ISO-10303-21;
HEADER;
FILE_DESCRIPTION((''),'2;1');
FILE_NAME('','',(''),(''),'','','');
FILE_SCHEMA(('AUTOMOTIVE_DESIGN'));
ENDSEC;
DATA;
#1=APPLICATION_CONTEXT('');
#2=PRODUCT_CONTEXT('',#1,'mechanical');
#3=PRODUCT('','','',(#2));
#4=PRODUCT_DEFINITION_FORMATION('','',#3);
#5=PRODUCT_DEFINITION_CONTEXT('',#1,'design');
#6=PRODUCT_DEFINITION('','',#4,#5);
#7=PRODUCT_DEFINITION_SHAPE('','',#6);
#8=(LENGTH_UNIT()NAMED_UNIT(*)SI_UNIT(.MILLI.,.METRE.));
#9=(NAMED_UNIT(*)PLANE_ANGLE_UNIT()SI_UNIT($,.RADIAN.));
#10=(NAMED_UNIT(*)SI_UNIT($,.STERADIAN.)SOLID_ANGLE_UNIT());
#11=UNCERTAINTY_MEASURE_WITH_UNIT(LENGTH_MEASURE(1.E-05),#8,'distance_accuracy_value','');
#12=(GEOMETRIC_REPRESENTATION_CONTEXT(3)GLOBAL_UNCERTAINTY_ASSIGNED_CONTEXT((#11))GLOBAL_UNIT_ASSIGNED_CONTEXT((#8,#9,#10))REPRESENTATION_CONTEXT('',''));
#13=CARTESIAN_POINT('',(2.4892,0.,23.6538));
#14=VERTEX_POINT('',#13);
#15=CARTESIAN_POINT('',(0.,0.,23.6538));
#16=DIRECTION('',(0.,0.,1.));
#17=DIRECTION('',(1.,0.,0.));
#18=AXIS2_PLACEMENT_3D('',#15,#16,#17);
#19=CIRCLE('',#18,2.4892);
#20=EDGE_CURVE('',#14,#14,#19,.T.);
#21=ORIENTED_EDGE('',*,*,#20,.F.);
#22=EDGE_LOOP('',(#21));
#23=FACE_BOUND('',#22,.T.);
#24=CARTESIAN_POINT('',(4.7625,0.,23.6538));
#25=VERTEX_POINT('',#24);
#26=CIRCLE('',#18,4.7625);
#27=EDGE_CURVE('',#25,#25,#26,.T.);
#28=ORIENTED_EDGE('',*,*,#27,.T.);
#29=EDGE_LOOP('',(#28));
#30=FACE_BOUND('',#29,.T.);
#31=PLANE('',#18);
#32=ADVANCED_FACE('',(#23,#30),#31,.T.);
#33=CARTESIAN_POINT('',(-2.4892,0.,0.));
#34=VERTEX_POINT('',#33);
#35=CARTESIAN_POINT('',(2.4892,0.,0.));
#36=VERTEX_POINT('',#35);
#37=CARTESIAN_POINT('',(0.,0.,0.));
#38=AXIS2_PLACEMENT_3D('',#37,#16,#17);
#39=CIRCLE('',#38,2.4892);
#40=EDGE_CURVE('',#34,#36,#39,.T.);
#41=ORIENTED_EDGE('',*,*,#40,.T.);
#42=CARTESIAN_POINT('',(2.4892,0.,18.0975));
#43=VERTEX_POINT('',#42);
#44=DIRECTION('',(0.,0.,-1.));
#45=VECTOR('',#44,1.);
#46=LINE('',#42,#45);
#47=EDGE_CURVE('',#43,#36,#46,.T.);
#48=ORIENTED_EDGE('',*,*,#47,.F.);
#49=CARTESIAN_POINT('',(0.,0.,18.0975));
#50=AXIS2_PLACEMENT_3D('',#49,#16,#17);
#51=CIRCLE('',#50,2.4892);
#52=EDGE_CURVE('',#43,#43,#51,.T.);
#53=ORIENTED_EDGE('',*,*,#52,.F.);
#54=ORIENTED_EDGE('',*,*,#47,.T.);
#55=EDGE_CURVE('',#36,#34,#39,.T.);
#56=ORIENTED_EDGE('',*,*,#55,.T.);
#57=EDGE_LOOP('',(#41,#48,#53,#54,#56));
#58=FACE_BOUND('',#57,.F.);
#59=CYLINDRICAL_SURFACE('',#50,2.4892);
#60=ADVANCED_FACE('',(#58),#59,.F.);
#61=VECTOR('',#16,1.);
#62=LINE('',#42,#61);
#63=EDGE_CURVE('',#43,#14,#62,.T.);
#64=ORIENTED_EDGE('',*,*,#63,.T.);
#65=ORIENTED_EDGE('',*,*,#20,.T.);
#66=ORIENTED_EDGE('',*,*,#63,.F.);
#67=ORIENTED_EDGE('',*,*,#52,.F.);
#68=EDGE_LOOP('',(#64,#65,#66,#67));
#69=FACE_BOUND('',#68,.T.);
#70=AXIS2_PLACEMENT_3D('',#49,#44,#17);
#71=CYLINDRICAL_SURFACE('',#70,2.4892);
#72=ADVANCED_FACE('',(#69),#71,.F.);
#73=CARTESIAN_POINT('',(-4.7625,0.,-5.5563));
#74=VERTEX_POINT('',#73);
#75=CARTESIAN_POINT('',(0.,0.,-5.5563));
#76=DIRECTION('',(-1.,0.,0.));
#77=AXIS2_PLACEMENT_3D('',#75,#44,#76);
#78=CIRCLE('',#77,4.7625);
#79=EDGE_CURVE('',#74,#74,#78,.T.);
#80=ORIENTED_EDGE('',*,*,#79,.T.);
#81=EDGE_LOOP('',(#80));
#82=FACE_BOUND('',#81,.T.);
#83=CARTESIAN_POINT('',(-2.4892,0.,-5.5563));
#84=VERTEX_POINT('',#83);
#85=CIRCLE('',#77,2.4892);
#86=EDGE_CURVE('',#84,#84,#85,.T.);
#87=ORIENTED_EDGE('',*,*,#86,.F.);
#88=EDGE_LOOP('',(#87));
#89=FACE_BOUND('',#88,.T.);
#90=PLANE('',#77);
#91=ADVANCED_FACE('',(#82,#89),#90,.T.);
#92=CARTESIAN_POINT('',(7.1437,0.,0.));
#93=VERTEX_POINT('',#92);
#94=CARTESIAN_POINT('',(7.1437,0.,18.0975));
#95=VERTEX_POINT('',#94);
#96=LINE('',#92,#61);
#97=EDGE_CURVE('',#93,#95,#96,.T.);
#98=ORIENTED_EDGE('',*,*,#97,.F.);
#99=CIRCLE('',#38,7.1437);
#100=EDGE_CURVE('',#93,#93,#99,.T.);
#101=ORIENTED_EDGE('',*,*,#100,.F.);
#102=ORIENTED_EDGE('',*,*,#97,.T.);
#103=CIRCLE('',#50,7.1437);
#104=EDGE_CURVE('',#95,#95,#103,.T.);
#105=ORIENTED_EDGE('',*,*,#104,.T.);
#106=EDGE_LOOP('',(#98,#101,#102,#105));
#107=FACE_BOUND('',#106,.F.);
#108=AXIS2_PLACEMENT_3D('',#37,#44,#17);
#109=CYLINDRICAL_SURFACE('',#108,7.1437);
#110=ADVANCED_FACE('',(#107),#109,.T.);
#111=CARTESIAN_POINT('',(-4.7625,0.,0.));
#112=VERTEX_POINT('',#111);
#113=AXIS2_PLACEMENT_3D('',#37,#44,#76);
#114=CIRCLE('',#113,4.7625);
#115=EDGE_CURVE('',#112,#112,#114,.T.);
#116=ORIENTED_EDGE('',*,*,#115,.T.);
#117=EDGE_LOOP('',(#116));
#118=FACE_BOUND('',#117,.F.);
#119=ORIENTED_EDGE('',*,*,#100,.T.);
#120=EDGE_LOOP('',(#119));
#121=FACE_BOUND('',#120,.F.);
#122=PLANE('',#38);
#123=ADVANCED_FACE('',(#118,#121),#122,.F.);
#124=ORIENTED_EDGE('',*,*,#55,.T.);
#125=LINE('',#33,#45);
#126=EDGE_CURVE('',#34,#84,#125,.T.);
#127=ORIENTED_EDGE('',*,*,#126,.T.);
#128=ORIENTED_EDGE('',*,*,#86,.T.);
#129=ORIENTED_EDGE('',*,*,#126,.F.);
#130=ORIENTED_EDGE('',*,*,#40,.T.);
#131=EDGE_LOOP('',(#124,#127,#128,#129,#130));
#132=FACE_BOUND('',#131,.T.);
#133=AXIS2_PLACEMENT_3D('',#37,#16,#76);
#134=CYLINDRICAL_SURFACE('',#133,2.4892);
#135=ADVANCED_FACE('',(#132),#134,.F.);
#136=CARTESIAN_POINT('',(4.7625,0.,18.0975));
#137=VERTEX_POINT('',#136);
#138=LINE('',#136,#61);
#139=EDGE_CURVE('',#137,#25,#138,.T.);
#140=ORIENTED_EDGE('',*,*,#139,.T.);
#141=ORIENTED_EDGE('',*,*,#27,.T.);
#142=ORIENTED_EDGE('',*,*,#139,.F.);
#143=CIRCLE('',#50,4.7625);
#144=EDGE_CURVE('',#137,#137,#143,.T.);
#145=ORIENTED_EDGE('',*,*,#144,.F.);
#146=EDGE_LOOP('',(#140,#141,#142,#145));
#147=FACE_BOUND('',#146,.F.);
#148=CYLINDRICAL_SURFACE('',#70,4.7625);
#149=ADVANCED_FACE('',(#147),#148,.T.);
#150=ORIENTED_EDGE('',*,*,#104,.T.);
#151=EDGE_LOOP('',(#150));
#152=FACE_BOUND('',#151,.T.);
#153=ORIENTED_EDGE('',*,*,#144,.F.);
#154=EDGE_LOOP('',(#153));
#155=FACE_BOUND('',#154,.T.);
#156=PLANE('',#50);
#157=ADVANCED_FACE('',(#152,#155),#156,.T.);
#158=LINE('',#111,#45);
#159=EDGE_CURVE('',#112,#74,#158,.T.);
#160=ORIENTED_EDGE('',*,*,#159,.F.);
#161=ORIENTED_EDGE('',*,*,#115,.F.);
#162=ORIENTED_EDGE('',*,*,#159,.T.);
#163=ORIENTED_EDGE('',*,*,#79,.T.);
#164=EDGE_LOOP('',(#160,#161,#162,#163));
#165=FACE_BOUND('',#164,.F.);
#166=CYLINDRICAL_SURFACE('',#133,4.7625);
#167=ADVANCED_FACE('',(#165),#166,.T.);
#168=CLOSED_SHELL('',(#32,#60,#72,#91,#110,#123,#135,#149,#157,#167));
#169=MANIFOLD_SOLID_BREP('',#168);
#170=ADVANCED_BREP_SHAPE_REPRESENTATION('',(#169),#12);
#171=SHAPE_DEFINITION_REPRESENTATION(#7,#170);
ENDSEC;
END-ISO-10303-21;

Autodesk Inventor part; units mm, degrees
ref_plane "YZ Plane" through (0, 0, 0) normal (1, 0, 0) x (0, 1, 0)
ref_plane "XZ Plane" through (0, 0, 0) normal (0, 1, 0) x (-1, 0, 0)
sketch "Sketch1" plane through (0, 0, 0) normal (0, 0, 1) x (1, 0, 0)
  circle A0 centre (0, 0) radius 7.1437
  dimension "d0" = 14.2875
extrude "Extrusion1" add sketch "Sketch1" along normal blind 18.0975
ref_plane "Work Plane1" through (0, 0, 6.35) normal (0, 0, 1) x (1, 0, 0)
sketch "Sketch6" plane through (0, 0, 18.0975) normal (0, 0, 1) x (1, 0, 0)
  circle A0 centre (0, 0) radius 2.4892
  dimension "d28" = 4.9784
extrude "Extrusion3" cut sketch "Sketch6" against normal through all
sketch "Sketch7" plane through (0, 0, 18.0975) normal (0, 0, 1) x (1, 0, 0)
  circle A0 centre (0, 0) radius 4.7625
  circle A1 centre (0, 0) radius 2.4892
  dimension "d31" = 9.525
  dimension "d32" = 4.9784
extrude "Extrusion4" add sketch "Sketch7" along normal blind 5.5563
sketch "Sketch8" plane through (0, 0, 0) normal (0, 0, -1) x (-1, 0, 0)
  circle A0 centre (0, 0) radius 2.4892 projected
  circle A1 centre (0, 0) radius 4.7625 projected
extrude "Extrusion5" add sketch "Sketch8" along normal blind 5.5563
properties part number "RollerSpacer2(Bearing)"
